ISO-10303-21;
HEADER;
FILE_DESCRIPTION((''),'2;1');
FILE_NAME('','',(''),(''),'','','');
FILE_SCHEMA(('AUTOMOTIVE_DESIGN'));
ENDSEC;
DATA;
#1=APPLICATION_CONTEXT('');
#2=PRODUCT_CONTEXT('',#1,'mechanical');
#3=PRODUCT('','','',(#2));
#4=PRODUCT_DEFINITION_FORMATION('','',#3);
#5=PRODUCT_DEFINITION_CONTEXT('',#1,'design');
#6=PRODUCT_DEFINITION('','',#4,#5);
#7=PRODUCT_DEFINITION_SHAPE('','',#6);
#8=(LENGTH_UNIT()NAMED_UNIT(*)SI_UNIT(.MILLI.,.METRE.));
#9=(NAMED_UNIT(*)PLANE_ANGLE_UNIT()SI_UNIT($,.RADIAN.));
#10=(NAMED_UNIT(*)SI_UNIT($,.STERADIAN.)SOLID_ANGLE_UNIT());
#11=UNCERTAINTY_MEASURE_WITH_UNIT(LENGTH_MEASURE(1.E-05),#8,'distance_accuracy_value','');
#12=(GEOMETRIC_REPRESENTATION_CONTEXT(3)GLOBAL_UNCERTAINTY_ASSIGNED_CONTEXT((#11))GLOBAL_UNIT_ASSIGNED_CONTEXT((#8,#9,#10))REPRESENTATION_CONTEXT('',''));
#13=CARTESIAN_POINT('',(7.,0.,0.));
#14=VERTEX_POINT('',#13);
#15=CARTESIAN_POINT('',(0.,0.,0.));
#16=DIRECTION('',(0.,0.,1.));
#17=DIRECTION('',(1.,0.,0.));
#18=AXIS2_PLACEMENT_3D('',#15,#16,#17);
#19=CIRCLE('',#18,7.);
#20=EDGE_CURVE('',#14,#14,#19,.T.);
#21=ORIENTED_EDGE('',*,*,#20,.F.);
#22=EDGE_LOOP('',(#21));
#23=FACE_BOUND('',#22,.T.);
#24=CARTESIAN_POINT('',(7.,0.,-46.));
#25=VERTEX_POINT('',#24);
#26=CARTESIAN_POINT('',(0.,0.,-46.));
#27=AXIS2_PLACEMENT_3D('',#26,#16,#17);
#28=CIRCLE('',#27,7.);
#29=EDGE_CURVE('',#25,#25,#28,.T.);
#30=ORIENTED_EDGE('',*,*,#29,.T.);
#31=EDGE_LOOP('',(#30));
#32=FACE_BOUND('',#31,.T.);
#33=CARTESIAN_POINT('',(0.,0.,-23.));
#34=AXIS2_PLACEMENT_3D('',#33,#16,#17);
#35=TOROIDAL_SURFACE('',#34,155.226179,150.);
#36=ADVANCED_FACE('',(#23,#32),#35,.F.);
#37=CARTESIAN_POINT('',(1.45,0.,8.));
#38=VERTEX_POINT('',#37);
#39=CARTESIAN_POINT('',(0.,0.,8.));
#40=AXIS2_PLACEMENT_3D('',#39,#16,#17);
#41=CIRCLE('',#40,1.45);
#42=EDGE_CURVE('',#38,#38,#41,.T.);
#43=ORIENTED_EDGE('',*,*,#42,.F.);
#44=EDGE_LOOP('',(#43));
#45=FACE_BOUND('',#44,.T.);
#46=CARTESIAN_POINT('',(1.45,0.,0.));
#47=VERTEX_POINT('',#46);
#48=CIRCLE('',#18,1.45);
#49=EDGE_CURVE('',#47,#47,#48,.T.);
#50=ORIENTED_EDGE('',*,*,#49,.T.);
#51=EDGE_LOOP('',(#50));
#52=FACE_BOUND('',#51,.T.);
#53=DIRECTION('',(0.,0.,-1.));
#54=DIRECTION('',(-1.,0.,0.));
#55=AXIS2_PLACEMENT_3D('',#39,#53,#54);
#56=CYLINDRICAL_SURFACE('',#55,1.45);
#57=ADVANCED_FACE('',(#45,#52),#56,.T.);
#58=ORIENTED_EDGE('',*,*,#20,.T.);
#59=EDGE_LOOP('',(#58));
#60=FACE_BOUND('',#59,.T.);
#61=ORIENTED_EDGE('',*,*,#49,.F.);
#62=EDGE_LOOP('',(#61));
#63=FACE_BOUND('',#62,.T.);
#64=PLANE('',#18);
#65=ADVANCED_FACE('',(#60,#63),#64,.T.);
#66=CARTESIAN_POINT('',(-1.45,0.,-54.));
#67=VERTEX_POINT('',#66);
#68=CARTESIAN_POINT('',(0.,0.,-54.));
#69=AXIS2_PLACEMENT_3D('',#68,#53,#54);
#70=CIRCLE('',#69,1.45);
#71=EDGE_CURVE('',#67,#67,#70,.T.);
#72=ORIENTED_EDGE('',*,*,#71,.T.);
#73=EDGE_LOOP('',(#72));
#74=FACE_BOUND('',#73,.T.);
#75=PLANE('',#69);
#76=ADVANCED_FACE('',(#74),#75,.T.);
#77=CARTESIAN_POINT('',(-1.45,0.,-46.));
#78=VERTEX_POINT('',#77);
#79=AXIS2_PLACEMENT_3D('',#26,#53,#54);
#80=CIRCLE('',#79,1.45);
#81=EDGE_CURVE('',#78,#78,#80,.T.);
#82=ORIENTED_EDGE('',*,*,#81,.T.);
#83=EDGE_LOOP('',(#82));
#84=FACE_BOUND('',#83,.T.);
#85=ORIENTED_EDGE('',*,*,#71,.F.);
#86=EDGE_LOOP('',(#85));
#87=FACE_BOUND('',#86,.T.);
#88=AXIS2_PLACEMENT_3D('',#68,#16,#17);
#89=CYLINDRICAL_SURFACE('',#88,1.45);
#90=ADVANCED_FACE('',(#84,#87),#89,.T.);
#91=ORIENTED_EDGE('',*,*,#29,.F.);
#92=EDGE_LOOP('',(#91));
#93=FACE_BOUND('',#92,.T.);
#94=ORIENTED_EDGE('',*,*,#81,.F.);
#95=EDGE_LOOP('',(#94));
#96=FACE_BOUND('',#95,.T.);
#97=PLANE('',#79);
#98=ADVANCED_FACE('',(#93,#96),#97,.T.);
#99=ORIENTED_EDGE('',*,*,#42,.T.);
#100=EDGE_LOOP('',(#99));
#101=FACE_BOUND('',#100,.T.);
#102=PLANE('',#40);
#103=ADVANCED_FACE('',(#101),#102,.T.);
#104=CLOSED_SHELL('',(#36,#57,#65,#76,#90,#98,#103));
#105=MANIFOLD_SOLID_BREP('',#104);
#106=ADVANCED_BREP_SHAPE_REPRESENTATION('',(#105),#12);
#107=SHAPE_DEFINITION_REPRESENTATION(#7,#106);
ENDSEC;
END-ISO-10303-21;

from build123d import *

# Parameters (mm, degrees)
SKETCH2_R           = 1.45
BOSS_EXTRUDE1_DEPTH = 8
BOSS_EXTRUDE2_START = 8
SKETCH3_R           = 1.45
BOSS_EXTRUDE2_DEPTH = 8


with BuildPart() as part:
    # Sketch1 → Revolve1 (revolve)
    with BuildSketch(Plane(origin=(0, 0, 0), x_dir=(1, 0, 0), z_dir=(0, 1, 0))):
        with BuildLine():
            Line((0, 0), (0, 46))
            Line((0, 46), (7, 46))
            ThreePointArc((7, 46), (5.226178525, 23), (7, 0))
            Line((7, 0), (0, 0))
        make_face()
    revolve(axis=Axis((0, 0, 0), (0, 0, -1)))

    # Sketch2 → Boss-Extrude1 (add)
    with BuildSketch(Plane.XY):
        Circle(SKETCH2_R)
    extrude(amount=BOSS_EXTRUDE1_DEPTH)

    # Sketch3 → Boss-Extrude2 (add)
    with BuildSketch(Plane(origin=(0, 0, -46), x_dir=(-1, 0, 0), z_dir=(0, 0, -1)).offset(BOSS_EXTRUDE2_START)):
        with Locations(Location((0, 0, 0), (0, 0, 180))):
            Circle(SKETCH3_R)
    extrude(amount=-BOSS_EXTRUDE2_DEPTH)


solid = part.part
